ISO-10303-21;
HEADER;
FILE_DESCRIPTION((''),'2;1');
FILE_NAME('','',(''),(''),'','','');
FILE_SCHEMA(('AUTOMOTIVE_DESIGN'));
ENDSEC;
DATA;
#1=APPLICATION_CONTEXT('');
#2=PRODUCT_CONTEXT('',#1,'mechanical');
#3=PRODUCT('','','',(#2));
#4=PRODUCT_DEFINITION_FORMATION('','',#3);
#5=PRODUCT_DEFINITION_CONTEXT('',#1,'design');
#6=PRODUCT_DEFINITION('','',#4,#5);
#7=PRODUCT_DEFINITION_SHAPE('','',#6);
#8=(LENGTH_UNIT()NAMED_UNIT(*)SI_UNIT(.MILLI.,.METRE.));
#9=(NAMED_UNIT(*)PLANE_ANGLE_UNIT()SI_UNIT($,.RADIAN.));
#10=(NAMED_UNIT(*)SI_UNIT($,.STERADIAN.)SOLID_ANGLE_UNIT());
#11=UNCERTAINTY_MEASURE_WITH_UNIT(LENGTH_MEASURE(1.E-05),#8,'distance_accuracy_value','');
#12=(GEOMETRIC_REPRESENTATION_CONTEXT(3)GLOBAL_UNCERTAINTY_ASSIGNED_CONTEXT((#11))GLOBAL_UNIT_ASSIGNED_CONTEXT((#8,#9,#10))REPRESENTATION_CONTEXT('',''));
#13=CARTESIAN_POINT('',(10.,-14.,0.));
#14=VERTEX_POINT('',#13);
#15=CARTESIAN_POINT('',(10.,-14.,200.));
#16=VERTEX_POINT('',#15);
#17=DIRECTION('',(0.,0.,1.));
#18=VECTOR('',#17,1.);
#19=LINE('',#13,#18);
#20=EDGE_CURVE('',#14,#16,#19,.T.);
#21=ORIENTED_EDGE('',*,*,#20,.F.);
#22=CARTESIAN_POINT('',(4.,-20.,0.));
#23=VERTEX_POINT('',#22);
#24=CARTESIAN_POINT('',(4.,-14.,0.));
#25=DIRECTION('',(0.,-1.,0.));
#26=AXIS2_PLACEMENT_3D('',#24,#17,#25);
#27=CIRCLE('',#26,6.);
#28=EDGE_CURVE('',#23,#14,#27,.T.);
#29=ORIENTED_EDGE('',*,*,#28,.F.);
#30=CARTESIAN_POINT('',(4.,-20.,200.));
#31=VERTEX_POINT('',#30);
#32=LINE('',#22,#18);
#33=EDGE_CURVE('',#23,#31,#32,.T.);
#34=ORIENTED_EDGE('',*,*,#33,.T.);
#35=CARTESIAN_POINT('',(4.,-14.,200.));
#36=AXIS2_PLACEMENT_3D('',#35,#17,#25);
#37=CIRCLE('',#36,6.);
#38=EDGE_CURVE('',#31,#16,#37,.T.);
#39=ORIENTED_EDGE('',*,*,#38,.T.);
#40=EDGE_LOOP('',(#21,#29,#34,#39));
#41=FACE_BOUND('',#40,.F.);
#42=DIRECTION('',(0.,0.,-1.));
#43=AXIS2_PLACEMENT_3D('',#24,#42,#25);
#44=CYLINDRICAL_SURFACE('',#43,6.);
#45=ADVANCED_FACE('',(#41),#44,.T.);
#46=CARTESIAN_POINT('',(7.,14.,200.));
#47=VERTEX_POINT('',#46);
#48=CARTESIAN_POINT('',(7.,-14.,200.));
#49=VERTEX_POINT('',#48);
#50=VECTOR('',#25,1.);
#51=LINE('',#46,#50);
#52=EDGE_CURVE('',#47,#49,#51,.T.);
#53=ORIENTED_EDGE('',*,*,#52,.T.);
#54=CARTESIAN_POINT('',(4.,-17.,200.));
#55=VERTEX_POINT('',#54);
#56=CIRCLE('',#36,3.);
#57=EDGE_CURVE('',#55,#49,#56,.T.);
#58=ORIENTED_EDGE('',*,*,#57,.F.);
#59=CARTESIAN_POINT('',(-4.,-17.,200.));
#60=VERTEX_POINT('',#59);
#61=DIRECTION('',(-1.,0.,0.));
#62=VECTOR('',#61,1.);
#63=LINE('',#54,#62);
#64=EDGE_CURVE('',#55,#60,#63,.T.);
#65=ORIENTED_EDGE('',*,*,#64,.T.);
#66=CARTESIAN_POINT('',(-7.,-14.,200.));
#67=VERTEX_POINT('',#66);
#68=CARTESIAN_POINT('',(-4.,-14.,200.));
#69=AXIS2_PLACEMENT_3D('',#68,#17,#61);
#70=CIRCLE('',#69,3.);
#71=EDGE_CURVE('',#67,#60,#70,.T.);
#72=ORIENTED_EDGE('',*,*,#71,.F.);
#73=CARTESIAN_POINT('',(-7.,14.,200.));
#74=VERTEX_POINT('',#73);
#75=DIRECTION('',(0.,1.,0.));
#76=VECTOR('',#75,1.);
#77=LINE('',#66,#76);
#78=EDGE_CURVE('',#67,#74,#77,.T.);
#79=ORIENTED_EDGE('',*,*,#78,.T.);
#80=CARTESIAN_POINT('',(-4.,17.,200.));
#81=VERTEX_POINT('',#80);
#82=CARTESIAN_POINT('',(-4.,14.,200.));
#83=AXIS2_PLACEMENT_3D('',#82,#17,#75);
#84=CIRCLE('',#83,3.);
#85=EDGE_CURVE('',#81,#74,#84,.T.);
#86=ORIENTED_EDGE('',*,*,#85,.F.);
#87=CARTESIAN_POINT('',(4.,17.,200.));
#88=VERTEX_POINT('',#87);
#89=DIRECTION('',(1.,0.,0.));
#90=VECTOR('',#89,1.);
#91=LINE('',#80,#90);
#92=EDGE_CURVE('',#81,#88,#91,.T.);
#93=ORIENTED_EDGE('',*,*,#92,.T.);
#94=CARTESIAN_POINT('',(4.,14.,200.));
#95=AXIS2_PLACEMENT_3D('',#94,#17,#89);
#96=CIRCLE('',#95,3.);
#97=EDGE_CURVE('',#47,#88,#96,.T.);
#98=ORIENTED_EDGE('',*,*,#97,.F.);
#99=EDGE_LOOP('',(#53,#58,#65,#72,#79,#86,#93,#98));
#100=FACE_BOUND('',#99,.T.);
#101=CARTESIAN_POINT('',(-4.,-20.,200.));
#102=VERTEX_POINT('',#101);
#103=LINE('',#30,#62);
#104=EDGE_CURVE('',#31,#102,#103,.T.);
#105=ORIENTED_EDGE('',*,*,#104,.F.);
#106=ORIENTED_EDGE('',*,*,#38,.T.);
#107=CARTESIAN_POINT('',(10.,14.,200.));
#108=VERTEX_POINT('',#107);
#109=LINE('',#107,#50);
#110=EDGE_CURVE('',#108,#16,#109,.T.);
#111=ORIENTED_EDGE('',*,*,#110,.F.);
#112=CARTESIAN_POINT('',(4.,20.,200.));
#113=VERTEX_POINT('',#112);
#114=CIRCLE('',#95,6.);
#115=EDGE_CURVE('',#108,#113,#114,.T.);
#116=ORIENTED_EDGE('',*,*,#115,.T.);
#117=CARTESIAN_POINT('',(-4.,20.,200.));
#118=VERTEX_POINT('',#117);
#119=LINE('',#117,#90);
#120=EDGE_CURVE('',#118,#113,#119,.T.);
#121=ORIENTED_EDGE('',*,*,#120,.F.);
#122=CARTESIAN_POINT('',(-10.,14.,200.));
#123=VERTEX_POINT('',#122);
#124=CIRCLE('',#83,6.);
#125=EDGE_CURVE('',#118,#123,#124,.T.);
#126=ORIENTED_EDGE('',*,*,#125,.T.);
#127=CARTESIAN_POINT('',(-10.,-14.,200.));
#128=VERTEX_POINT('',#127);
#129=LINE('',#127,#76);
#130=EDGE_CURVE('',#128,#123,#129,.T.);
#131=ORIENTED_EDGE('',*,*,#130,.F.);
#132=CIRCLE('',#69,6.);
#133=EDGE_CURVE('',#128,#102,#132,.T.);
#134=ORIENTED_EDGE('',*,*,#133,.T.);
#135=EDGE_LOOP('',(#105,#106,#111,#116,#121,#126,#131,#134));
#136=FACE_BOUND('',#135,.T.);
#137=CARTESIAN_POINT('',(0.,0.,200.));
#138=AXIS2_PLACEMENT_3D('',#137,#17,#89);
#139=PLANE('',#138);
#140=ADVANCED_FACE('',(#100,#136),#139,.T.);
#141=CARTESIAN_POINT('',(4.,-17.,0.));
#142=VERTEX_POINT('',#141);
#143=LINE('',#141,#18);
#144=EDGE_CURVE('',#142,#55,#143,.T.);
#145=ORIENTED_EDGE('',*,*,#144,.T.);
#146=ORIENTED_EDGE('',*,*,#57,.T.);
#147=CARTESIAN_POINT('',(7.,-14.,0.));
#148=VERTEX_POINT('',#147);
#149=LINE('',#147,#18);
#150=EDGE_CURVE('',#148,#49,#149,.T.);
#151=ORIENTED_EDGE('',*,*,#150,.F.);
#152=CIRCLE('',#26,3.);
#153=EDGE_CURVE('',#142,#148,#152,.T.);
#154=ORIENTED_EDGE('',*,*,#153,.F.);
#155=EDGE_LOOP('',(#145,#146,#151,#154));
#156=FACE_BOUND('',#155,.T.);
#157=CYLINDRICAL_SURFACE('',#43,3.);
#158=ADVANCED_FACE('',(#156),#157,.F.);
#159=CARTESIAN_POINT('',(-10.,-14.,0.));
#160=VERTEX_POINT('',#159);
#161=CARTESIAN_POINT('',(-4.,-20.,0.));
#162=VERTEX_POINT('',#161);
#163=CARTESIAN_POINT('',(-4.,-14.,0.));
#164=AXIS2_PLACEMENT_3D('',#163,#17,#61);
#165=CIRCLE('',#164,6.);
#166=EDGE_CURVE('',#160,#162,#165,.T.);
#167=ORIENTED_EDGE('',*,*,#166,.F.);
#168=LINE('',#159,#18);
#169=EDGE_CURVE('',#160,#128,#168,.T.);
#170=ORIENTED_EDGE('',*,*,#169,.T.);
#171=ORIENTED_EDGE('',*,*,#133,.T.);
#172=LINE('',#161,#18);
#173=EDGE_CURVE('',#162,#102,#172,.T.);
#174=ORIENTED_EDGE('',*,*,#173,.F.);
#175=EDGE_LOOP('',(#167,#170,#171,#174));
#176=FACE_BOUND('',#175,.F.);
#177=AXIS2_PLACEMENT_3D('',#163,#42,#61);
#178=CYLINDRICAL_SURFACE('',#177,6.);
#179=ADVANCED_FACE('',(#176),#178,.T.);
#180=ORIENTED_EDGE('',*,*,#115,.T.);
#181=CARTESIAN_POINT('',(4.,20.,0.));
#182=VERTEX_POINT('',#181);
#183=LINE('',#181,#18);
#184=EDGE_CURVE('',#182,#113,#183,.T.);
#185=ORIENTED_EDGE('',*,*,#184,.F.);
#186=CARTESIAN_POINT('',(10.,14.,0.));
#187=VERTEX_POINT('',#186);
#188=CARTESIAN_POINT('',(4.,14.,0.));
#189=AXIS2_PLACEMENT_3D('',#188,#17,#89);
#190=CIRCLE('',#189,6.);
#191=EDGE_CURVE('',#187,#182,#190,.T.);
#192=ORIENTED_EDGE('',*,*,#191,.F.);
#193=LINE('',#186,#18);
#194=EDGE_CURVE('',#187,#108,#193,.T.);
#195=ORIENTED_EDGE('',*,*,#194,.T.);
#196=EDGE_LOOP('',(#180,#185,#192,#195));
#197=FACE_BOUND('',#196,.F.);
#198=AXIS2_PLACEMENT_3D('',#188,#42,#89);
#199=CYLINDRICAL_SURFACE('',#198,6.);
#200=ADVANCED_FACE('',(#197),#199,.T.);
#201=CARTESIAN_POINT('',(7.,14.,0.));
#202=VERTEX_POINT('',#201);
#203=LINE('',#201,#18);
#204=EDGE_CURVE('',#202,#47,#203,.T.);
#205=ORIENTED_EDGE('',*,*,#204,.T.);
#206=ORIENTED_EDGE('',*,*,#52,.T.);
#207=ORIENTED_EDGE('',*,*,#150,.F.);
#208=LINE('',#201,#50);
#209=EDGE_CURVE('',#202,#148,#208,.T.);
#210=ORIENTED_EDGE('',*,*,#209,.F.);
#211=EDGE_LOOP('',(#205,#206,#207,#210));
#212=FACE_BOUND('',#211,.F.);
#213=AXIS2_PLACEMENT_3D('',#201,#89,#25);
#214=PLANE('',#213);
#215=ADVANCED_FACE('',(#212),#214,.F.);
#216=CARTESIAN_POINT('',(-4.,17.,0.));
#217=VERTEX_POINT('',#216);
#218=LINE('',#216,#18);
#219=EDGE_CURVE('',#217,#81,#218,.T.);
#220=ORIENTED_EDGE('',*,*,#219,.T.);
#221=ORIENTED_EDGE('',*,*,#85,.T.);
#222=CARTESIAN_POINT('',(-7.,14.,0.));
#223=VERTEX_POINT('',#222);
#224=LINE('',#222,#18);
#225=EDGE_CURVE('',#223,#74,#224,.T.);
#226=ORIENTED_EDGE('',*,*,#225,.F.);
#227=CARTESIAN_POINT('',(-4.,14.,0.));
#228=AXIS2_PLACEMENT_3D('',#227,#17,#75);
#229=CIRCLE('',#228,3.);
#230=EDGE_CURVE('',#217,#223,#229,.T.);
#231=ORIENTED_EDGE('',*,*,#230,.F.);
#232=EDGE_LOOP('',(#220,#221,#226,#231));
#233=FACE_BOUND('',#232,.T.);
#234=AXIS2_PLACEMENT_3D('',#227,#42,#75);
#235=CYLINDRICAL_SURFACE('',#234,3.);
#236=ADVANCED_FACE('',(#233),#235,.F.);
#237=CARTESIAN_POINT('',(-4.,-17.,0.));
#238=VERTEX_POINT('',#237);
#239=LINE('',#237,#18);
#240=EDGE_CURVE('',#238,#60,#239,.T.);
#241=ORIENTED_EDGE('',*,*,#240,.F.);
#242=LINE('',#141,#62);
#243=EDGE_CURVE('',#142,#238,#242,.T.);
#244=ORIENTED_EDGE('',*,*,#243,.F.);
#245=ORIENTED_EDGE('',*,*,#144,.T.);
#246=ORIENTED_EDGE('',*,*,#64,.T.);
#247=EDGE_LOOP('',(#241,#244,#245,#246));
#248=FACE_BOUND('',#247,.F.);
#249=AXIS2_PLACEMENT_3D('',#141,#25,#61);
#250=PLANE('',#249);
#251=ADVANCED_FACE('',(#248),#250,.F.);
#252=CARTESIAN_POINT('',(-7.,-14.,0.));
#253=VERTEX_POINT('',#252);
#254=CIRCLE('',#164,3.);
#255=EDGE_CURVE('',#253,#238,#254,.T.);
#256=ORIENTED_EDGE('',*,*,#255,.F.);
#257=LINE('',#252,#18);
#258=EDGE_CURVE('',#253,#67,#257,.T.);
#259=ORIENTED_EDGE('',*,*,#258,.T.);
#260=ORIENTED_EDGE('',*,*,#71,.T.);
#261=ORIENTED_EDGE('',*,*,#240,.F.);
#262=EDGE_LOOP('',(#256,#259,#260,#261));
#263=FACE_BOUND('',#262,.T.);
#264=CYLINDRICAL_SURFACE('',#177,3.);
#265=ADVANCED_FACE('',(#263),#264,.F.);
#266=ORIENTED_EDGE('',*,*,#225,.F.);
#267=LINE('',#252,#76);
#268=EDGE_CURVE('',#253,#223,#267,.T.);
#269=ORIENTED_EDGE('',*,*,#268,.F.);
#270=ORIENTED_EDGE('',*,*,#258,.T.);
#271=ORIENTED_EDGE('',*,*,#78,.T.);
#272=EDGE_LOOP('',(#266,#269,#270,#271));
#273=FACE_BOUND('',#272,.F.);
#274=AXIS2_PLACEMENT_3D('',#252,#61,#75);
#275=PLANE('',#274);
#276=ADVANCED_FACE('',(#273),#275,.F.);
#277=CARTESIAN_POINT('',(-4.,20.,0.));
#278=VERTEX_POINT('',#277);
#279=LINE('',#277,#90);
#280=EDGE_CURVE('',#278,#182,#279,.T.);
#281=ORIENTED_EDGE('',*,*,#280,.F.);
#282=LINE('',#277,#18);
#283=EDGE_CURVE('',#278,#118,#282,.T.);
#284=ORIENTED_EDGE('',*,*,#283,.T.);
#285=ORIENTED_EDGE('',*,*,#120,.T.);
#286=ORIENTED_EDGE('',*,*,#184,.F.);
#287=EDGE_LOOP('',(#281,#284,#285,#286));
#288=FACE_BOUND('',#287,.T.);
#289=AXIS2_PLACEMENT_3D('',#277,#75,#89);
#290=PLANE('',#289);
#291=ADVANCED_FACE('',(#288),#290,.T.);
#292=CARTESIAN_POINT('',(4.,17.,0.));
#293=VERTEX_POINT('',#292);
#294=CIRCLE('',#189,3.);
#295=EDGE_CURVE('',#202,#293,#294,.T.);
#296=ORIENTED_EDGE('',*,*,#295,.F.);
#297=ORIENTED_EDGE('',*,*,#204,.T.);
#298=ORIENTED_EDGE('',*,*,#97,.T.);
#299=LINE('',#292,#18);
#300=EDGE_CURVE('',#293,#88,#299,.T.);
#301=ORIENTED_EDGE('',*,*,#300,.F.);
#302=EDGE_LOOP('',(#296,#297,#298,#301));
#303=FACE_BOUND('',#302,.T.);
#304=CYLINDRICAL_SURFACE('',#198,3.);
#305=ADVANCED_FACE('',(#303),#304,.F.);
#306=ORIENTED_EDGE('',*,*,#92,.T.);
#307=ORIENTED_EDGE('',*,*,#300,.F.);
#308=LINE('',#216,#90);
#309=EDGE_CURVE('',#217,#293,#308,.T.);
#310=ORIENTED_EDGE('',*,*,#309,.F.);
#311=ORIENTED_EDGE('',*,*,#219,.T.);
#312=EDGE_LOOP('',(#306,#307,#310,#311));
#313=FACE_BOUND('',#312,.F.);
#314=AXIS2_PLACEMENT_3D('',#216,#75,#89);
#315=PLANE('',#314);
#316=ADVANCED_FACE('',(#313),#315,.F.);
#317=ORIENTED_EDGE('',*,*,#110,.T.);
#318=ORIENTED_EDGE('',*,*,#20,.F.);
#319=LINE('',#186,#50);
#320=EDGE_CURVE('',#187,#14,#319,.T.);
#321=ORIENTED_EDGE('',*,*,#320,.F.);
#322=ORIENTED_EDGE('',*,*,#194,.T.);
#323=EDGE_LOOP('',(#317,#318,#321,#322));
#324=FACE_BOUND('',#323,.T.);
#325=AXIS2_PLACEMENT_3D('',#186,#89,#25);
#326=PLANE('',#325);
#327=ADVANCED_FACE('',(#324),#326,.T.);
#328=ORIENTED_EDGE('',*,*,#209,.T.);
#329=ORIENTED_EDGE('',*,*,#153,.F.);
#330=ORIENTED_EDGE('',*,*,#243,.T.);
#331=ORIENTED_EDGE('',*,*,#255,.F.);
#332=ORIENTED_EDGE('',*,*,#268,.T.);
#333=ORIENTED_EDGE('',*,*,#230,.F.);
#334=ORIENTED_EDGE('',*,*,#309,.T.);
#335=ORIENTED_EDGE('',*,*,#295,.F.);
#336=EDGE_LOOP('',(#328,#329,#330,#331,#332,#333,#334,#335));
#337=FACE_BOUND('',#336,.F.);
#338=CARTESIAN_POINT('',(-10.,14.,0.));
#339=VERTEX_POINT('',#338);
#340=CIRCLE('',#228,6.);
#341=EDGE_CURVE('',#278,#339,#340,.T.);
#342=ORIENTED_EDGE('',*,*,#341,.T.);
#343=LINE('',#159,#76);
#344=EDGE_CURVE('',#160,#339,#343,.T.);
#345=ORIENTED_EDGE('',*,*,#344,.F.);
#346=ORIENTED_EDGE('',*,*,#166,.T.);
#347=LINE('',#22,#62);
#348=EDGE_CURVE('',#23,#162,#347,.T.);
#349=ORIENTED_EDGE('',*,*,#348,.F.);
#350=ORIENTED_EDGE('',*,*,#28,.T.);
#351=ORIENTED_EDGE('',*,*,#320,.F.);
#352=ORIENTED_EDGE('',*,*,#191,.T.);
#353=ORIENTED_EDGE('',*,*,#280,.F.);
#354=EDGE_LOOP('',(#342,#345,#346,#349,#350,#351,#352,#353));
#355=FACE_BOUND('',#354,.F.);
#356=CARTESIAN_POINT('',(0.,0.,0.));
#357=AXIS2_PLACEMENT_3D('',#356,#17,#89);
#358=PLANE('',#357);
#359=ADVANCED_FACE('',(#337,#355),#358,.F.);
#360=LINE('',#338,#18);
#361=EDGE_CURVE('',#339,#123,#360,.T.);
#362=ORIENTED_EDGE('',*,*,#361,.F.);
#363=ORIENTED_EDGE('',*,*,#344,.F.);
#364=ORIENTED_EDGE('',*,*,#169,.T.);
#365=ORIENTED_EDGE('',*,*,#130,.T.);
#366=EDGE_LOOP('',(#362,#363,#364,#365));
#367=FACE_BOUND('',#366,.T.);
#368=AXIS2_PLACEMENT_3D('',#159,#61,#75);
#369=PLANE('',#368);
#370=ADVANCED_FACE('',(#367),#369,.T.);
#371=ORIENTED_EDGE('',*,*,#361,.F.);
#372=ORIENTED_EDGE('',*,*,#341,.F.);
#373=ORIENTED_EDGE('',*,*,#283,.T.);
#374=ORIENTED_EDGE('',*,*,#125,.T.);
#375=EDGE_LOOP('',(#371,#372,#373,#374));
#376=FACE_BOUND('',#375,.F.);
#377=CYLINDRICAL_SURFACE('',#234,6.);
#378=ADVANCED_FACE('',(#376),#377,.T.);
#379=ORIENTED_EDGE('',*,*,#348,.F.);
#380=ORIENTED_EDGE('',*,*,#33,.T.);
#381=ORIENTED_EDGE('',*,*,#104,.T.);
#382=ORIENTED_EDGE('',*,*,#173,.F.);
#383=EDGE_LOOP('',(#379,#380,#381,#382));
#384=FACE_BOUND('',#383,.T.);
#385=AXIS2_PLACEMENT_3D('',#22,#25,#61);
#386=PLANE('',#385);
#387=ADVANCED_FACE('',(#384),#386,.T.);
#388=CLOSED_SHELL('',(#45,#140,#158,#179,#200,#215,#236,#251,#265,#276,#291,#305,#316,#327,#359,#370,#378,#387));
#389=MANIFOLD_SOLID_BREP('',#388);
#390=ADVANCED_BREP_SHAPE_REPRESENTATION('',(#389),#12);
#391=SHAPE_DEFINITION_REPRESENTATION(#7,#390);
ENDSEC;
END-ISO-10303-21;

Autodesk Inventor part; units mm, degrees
ref_plane "YZ Plane" through (0, 0, 0) normal (1, 0, 0) x (0, 1, 0)
ref_plane "Start Plane" through (0, 0, 0) normal (0, 0, 1) x (1, 0, 0)
ref_plane "End Plane" through (0, 0, 200) normal (0, 0, 1) x (1, 0, 0)
sketch "Sketch" plane through (0, 0, 0) normal (0, 0, 1) x (1, 0, 0)
  line L0 (-10, -14) -> (-10, 14)
  line L1 (-4, 20) -> (4, 20)
  line L2 (10, 14) -> (10, -14)
  line L3 (4, -20) -> (-4, -20)
  arc A0 (-10, -14) -> (-4, -20) centre (-4, -14) ccw
  arc A1 (10, 14) -> (4, 20) centre (4, 14) ccw
  arc A2 (-4, 20) -> (-10, 14) centre (-4, 14) ccw
  arc A3 (4, -20) -> (10, -14) centre (4, -14) ccw
  arc A4 (-4, 17) -> (-7, 14) centre (-4, 14) ccw
  line L4 (-4, 17) -> (4, 17)
  arc A5 (7, 14) -> (4, 17) centre (4, 14) ccw
  line L5 (7, 14) -> (7, -14)
  arc A6 (4, -17) -> (7, -14) centre (4, -14) ccw
  line L6 (4, -17) -> (-4, -17)
  arc A7 (-7, -14) -> (-4, -17) centre (-4, -14) ccw
  line L7 (-7, -14) -> (-7, 14)
  line L8 (0, 29.7397) -> (0, -29.7397) construction
  line L9 (-15.7397, 0) -> (15.7397, 0) construction
  dimension "d7" = 6
  dimension "d9" = 20
  dimension "d11" = 40
  dimension "d12" = 3
  dimension "d15" = 10
  dimension "d16" = 20
extrude "Body" add sketch "Sketch" along normal up to surface (200 mm away) from surface at 0
sketch "Sketch3" plane through (0, 0, 0) normal (0, 0, 1) x (1, 0, 0)
  line L0 (0, 0) -> (10, 0)
ref_plane "Work Plane3" through (0, 0, 0) normal (0, -1, 0) x (1, 0, 0)
sketch "Sketch4" plane through (0, 0, 0) normal (0, -1, 0) x (1, 0, 0)
  line L0 (-2, 0) -> (12, 0) projected
  line L1 (-2, 200) -> (12, 200) projected
  dimension "d18" = 200
equation "\"d7\" = G_IR"
equation "\"d9\" = G_W"
equation "\"d11\" = G_H"
equation "\"d12\" = G_T"
equation "\"d15\" = 0.5 * d9"
equation "\"d16\" = 0.5 * d11"
equation "\"d3\" = G_L"
equation "\"G_W\" = 20"
equation "\"G_H\" = 40"
equation "\"G_T\" = 3"
equation "\"G_IR\" = 6"
equation "\"G_L\" = d18"
equation "\"G_OFFSET_START\" = 0"
equation "\"G_OFFSET_END\" = 0"
properties part number "ISO 4019 - 40x20x3 - 200" material "Steel, Mild"
